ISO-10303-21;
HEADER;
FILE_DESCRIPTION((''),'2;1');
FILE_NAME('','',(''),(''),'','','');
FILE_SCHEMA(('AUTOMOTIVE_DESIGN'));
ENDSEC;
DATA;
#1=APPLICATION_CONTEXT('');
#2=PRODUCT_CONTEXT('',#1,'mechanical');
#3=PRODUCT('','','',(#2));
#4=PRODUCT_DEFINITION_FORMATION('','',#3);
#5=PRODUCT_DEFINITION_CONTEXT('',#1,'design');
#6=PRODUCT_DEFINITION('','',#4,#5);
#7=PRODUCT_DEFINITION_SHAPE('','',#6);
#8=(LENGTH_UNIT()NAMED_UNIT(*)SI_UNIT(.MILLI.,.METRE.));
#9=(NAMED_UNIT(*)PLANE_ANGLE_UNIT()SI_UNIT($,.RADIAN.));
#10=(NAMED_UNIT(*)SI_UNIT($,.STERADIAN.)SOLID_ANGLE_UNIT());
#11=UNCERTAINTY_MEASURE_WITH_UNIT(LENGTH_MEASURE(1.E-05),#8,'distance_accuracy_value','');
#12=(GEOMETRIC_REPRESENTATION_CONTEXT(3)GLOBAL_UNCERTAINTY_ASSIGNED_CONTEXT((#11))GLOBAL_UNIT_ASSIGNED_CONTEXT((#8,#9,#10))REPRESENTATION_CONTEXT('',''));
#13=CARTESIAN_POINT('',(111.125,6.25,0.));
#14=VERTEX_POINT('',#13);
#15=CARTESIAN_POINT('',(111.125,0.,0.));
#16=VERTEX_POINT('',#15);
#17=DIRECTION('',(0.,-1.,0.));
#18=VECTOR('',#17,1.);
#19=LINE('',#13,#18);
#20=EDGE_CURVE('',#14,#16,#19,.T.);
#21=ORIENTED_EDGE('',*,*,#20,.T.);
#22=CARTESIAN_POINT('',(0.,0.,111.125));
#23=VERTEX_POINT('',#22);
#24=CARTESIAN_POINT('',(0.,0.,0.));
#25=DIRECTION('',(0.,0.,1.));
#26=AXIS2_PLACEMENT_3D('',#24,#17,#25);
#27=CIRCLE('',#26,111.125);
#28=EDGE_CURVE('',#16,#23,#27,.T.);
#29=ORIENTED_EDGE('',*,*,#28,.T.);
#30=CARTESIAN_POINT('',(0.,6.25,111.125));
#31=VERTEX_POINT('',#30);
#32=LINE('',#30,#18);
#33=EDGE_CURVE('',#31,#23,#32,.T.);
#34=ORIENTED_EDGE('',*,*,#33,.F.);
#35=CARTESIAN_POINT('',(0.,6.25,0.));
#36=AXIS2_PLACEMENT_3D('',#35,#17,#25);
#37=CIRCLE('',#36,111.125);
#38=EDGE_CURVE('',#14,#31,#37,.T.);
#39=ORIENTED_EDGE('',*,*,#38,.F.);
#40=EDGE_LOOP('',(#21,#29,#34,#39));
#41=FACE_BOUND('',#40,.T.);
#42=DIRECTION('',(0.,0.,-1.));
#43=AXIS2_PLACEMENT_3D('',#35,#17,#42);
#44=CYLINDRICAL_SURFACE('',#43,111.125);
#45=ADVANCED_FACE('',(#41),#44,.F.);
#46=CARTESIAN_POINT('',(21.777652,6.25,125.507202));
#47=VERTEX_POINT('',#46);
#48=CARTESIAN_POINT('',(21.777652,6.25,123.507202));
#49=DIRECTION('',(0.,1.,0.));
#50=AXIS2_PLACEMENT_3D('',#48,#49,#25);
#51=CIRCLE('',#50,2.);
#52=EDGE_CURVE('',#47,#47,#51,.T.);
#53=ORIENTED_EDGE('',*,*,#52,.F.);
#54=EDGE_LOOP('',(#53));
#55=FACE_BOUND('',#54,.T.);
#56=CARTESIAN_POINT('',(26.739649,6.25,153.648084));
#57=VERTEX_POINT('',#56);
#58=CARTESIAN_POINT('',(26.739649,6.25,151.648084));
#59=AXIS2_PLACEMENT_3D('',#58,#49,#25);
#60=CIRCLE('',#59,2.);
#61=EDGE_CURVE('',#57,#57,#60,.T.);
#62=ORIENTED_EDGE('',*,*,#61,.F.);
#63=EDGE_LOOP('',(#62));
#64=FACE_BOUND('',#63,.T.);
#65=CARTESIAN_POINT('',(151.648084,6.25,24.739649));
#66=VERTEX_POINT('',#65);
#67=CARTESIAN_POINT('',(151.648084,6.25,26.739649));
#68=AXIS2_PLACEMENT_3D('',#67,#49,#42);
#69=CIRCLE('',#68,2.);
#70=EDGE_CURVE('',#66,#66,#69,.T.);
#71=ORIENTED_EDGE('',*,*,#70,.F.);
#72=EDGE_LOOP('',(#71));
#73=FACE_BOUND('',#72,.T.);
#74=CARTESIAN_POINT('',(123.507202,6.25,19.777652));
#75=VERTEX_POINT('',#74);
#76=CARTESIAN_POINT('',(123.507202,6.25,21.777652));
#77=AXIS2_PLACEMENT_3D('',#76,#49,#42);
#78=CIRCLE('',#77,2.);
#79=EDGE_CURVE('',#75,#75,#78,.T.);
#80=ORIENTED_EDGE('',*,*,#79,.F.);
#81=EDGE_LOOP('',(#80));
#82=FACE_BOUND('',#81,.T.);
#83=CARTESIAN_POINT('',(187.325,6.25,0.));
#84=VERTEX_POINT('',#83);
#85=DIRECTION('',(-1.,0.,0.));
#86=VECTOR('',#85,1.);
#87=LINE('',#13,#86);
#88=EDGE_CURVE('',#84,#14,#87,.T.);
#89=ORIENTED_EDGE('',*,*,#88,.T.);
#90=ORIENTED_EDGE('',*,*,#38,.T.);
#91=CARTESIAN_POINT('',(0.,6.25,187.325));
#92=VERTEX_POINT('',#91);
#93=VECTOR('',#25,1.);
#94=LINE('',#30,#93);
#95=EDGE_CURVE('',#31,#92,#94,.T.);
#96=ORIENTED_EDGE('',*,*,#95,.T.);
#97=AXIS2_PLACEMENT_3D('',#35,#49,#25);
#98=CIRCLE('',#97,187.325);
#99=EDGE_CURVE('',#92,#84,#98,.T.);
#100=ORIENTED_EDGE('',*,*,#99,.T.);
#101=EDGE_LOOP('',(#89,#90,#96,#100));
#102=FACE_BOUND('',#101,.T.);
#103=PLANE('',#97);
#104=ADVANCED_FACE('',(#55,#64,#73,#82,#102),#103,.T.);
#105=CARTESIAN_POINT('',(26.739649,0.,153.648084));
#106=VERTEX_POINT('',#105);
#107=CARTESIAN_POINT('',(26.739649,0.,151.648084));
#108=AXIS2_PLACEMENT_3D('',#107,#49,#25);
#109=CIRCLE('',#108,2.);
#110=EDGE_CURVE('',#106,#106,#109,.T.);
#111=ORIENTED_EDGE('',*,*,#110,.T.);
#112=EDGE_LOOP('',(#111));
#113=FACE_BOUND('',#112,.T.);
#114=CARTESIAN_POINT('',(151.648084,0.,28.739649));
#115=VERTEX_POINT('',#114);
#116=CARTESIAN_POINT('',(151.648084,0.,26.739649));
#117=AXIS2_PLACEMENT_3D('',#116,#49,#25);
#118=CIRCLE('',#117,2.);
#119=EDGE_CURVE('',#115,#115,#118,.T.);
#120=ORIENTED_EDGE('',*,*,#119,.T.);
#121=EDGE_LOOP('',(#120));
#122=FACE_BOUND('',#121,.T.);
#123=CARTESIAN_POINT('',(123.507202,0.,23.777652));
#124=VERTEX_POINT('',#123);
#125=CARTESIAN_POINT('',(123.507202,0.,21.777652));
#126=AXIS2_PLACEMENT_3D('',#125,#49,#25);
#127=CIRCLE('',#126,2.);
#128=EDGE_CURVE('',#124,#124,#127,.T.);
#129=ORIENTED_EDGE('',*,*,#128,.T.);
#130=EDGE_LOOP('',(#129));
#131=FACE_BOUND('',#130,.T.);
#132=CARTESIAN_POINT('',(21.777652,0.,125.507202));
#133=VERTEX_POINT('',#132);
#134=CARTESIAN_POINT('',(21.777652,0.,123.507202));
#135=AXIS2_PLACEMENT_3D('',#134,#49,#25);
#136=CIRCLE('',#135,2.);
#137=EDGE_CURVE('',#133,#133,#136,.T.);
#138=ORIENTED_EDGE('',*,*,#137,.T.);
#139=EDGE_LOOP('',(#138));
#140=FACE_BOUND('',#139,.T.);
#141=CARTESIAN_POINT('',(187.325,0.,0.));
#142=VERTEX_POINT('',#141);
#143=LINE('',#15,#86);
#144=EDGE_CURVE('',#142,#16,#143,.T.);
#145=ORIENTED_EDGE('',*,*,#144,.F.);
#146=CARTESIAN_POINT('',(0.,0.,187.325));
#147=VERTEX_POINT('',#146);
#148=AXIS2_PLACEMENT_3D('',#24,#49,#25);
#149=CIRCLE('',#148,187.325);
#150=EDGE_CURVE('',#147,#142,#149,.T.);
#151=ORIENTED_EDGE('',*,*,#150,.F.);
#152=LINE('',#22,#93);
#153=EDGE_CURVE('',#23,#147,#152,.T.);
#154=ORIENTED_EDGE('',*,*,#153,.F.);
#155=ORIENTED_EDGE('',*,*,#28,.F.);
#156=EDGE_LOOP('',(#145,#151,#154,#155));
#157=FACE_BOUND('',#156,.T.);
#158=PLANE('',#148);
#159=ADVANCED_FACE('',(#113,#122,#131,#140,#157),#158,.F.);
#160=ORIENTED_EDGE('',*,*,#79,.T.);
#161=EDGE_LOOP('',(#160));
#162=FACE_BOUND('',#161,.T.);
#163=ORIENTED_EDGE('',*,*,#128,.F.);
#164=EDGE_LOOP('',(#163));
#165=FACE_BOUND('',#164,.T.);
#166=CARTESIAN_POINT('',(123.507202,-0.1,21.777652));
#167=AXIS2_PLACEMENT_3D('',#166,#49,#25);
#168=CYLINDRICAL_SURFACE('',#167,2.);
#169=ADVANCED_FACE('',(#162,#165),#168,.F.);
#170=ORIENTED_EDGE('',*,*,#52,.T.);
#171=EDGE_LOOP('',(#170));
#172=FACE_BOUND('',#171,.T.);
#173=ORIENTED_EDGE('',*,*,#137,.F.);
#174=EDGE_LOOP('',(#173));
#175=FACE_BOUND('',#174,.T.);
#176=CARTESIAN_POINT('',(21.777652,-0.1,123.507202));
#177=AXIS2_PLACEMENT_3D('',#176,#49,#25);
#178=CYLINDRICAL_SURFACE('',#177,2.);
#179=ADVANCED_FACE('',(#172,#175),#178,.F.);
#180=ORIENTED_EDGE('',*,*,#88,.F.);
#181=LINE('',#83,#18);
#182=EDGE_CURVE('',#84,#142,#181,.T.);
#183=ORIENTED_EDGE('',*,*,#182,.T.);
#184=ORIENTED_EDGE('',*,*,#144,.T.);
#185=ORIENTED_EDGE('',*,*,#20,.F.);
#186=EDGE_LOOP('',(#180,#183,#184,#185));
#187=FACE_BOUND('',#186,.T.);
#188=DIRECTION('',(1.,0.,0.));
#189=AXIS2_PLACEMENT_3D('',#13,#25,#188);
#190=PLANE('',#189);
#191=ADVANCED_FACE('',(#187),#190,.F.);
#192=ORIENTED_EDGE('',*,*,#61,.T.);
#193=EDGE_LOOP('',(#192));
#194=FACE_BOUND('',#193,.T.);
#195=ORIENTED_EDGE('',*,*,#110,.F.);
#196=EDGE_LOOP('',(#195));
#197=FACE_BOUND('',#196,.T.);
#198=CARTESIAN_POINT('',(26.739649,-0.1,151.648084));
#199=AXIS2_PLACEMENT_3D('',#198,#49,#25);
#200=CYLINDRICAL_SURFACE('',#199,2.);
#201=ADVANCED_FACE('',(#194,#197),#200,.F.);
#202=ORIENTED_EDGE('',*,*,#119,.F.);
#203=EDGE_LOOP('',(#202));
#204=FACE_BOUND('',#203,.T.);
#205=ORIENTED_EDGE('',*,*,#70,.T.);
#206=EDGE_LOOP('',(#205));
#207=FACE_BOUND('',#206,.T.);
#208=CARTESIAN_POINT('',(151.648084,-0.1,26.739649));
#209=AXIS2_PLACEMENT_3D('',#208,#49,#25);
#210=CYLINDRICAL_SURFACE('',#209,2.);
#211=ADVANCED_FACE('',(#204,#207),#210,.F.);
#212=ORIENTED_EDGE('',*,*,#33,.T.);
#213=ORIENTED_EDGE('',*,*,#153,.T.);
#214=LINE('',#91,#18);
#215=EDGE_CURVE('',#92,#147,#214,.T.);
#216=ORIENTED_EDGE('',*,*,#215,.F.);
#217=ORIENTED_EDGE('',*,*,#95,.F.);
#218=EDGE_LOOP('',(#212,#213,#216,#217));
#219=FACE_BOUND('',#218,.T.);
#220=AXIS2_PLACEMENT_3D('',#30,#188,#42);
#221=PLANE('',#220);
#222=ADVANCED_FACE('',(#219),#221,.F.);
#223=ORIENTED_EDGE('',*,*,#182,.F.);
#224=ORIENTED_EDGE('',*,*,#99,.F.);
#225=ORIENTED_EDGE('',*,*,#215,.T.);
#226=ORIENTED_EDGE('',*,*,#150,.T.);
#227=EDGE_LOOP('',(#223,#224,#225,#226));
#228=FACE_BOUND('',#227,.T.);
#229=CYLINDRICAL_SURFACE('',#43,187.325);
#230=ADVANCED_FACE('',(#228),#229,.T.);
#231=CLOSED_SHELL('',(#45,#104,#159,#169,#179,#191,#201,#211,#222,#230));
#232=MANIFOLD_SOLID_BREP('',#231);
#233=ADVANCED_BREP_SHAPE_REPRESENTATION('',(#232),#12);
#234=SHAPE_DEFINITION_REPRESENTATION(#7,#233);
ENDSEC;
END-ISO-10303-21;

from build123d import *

# Parameters (mm, degrees)
BOSS_EXTRUDE1_DEPTH = 6.25
SKETCH2_R           = 2
CUT_EXTRUDE1_DEPTH  = 6.35


with BuildPart() as part:
    # Sketch1 → Boss-Extrude1 (new body)
    with BuildSketch(Plane(origin=(0, 0, 0), x_dir=(1, 0, 0), z_dir=(0, 1, 0))):
        with BuildLine():
            Line((111.125, 0), (187.325, 0))
            ThreePointArc((187.325, 0), (132.458777786, -132.458777786), (0, -187.325))
            Line((0, -187.325), (0, -111.125))
            ThreePointArc((0, -111.125), (78.577241059, -78.577241059), (111.125, 0))
        make_face()
    extrude(amount=BOSS_EXTRUDE1_DEPTH)

    # Sketch2 → Cut-Extrude1 (cut)
    with BuildSketch(Plane(origin=(0, 6.25, 0), x_dir=(1, 0, 0), z_dir=(0, 1, 0))):
        with Locations(Location((21.777652082, -123.507202325, 0), (0, 0, 270))):
            Circle(SKETCH2_R)
        with Locations(Location((123.507202325, -21.777652082, 0), (0, 0, 270))):
            Circle(SKETCH2_R)
        with Locations(Location((26.739648758, -151.648083867, 0), (0, 0, 270))):
            Circle(SKETCH2_R)
        with Locations(Location((151.648083867, -26.739648758, 0), (0, 0, 270))):
            Circle(SKETCH2_R)
    extrude(amount=-CUT_EXTRUDE1_DEPTH, mode=Mode.SUBTRACT)


solid = part.part
